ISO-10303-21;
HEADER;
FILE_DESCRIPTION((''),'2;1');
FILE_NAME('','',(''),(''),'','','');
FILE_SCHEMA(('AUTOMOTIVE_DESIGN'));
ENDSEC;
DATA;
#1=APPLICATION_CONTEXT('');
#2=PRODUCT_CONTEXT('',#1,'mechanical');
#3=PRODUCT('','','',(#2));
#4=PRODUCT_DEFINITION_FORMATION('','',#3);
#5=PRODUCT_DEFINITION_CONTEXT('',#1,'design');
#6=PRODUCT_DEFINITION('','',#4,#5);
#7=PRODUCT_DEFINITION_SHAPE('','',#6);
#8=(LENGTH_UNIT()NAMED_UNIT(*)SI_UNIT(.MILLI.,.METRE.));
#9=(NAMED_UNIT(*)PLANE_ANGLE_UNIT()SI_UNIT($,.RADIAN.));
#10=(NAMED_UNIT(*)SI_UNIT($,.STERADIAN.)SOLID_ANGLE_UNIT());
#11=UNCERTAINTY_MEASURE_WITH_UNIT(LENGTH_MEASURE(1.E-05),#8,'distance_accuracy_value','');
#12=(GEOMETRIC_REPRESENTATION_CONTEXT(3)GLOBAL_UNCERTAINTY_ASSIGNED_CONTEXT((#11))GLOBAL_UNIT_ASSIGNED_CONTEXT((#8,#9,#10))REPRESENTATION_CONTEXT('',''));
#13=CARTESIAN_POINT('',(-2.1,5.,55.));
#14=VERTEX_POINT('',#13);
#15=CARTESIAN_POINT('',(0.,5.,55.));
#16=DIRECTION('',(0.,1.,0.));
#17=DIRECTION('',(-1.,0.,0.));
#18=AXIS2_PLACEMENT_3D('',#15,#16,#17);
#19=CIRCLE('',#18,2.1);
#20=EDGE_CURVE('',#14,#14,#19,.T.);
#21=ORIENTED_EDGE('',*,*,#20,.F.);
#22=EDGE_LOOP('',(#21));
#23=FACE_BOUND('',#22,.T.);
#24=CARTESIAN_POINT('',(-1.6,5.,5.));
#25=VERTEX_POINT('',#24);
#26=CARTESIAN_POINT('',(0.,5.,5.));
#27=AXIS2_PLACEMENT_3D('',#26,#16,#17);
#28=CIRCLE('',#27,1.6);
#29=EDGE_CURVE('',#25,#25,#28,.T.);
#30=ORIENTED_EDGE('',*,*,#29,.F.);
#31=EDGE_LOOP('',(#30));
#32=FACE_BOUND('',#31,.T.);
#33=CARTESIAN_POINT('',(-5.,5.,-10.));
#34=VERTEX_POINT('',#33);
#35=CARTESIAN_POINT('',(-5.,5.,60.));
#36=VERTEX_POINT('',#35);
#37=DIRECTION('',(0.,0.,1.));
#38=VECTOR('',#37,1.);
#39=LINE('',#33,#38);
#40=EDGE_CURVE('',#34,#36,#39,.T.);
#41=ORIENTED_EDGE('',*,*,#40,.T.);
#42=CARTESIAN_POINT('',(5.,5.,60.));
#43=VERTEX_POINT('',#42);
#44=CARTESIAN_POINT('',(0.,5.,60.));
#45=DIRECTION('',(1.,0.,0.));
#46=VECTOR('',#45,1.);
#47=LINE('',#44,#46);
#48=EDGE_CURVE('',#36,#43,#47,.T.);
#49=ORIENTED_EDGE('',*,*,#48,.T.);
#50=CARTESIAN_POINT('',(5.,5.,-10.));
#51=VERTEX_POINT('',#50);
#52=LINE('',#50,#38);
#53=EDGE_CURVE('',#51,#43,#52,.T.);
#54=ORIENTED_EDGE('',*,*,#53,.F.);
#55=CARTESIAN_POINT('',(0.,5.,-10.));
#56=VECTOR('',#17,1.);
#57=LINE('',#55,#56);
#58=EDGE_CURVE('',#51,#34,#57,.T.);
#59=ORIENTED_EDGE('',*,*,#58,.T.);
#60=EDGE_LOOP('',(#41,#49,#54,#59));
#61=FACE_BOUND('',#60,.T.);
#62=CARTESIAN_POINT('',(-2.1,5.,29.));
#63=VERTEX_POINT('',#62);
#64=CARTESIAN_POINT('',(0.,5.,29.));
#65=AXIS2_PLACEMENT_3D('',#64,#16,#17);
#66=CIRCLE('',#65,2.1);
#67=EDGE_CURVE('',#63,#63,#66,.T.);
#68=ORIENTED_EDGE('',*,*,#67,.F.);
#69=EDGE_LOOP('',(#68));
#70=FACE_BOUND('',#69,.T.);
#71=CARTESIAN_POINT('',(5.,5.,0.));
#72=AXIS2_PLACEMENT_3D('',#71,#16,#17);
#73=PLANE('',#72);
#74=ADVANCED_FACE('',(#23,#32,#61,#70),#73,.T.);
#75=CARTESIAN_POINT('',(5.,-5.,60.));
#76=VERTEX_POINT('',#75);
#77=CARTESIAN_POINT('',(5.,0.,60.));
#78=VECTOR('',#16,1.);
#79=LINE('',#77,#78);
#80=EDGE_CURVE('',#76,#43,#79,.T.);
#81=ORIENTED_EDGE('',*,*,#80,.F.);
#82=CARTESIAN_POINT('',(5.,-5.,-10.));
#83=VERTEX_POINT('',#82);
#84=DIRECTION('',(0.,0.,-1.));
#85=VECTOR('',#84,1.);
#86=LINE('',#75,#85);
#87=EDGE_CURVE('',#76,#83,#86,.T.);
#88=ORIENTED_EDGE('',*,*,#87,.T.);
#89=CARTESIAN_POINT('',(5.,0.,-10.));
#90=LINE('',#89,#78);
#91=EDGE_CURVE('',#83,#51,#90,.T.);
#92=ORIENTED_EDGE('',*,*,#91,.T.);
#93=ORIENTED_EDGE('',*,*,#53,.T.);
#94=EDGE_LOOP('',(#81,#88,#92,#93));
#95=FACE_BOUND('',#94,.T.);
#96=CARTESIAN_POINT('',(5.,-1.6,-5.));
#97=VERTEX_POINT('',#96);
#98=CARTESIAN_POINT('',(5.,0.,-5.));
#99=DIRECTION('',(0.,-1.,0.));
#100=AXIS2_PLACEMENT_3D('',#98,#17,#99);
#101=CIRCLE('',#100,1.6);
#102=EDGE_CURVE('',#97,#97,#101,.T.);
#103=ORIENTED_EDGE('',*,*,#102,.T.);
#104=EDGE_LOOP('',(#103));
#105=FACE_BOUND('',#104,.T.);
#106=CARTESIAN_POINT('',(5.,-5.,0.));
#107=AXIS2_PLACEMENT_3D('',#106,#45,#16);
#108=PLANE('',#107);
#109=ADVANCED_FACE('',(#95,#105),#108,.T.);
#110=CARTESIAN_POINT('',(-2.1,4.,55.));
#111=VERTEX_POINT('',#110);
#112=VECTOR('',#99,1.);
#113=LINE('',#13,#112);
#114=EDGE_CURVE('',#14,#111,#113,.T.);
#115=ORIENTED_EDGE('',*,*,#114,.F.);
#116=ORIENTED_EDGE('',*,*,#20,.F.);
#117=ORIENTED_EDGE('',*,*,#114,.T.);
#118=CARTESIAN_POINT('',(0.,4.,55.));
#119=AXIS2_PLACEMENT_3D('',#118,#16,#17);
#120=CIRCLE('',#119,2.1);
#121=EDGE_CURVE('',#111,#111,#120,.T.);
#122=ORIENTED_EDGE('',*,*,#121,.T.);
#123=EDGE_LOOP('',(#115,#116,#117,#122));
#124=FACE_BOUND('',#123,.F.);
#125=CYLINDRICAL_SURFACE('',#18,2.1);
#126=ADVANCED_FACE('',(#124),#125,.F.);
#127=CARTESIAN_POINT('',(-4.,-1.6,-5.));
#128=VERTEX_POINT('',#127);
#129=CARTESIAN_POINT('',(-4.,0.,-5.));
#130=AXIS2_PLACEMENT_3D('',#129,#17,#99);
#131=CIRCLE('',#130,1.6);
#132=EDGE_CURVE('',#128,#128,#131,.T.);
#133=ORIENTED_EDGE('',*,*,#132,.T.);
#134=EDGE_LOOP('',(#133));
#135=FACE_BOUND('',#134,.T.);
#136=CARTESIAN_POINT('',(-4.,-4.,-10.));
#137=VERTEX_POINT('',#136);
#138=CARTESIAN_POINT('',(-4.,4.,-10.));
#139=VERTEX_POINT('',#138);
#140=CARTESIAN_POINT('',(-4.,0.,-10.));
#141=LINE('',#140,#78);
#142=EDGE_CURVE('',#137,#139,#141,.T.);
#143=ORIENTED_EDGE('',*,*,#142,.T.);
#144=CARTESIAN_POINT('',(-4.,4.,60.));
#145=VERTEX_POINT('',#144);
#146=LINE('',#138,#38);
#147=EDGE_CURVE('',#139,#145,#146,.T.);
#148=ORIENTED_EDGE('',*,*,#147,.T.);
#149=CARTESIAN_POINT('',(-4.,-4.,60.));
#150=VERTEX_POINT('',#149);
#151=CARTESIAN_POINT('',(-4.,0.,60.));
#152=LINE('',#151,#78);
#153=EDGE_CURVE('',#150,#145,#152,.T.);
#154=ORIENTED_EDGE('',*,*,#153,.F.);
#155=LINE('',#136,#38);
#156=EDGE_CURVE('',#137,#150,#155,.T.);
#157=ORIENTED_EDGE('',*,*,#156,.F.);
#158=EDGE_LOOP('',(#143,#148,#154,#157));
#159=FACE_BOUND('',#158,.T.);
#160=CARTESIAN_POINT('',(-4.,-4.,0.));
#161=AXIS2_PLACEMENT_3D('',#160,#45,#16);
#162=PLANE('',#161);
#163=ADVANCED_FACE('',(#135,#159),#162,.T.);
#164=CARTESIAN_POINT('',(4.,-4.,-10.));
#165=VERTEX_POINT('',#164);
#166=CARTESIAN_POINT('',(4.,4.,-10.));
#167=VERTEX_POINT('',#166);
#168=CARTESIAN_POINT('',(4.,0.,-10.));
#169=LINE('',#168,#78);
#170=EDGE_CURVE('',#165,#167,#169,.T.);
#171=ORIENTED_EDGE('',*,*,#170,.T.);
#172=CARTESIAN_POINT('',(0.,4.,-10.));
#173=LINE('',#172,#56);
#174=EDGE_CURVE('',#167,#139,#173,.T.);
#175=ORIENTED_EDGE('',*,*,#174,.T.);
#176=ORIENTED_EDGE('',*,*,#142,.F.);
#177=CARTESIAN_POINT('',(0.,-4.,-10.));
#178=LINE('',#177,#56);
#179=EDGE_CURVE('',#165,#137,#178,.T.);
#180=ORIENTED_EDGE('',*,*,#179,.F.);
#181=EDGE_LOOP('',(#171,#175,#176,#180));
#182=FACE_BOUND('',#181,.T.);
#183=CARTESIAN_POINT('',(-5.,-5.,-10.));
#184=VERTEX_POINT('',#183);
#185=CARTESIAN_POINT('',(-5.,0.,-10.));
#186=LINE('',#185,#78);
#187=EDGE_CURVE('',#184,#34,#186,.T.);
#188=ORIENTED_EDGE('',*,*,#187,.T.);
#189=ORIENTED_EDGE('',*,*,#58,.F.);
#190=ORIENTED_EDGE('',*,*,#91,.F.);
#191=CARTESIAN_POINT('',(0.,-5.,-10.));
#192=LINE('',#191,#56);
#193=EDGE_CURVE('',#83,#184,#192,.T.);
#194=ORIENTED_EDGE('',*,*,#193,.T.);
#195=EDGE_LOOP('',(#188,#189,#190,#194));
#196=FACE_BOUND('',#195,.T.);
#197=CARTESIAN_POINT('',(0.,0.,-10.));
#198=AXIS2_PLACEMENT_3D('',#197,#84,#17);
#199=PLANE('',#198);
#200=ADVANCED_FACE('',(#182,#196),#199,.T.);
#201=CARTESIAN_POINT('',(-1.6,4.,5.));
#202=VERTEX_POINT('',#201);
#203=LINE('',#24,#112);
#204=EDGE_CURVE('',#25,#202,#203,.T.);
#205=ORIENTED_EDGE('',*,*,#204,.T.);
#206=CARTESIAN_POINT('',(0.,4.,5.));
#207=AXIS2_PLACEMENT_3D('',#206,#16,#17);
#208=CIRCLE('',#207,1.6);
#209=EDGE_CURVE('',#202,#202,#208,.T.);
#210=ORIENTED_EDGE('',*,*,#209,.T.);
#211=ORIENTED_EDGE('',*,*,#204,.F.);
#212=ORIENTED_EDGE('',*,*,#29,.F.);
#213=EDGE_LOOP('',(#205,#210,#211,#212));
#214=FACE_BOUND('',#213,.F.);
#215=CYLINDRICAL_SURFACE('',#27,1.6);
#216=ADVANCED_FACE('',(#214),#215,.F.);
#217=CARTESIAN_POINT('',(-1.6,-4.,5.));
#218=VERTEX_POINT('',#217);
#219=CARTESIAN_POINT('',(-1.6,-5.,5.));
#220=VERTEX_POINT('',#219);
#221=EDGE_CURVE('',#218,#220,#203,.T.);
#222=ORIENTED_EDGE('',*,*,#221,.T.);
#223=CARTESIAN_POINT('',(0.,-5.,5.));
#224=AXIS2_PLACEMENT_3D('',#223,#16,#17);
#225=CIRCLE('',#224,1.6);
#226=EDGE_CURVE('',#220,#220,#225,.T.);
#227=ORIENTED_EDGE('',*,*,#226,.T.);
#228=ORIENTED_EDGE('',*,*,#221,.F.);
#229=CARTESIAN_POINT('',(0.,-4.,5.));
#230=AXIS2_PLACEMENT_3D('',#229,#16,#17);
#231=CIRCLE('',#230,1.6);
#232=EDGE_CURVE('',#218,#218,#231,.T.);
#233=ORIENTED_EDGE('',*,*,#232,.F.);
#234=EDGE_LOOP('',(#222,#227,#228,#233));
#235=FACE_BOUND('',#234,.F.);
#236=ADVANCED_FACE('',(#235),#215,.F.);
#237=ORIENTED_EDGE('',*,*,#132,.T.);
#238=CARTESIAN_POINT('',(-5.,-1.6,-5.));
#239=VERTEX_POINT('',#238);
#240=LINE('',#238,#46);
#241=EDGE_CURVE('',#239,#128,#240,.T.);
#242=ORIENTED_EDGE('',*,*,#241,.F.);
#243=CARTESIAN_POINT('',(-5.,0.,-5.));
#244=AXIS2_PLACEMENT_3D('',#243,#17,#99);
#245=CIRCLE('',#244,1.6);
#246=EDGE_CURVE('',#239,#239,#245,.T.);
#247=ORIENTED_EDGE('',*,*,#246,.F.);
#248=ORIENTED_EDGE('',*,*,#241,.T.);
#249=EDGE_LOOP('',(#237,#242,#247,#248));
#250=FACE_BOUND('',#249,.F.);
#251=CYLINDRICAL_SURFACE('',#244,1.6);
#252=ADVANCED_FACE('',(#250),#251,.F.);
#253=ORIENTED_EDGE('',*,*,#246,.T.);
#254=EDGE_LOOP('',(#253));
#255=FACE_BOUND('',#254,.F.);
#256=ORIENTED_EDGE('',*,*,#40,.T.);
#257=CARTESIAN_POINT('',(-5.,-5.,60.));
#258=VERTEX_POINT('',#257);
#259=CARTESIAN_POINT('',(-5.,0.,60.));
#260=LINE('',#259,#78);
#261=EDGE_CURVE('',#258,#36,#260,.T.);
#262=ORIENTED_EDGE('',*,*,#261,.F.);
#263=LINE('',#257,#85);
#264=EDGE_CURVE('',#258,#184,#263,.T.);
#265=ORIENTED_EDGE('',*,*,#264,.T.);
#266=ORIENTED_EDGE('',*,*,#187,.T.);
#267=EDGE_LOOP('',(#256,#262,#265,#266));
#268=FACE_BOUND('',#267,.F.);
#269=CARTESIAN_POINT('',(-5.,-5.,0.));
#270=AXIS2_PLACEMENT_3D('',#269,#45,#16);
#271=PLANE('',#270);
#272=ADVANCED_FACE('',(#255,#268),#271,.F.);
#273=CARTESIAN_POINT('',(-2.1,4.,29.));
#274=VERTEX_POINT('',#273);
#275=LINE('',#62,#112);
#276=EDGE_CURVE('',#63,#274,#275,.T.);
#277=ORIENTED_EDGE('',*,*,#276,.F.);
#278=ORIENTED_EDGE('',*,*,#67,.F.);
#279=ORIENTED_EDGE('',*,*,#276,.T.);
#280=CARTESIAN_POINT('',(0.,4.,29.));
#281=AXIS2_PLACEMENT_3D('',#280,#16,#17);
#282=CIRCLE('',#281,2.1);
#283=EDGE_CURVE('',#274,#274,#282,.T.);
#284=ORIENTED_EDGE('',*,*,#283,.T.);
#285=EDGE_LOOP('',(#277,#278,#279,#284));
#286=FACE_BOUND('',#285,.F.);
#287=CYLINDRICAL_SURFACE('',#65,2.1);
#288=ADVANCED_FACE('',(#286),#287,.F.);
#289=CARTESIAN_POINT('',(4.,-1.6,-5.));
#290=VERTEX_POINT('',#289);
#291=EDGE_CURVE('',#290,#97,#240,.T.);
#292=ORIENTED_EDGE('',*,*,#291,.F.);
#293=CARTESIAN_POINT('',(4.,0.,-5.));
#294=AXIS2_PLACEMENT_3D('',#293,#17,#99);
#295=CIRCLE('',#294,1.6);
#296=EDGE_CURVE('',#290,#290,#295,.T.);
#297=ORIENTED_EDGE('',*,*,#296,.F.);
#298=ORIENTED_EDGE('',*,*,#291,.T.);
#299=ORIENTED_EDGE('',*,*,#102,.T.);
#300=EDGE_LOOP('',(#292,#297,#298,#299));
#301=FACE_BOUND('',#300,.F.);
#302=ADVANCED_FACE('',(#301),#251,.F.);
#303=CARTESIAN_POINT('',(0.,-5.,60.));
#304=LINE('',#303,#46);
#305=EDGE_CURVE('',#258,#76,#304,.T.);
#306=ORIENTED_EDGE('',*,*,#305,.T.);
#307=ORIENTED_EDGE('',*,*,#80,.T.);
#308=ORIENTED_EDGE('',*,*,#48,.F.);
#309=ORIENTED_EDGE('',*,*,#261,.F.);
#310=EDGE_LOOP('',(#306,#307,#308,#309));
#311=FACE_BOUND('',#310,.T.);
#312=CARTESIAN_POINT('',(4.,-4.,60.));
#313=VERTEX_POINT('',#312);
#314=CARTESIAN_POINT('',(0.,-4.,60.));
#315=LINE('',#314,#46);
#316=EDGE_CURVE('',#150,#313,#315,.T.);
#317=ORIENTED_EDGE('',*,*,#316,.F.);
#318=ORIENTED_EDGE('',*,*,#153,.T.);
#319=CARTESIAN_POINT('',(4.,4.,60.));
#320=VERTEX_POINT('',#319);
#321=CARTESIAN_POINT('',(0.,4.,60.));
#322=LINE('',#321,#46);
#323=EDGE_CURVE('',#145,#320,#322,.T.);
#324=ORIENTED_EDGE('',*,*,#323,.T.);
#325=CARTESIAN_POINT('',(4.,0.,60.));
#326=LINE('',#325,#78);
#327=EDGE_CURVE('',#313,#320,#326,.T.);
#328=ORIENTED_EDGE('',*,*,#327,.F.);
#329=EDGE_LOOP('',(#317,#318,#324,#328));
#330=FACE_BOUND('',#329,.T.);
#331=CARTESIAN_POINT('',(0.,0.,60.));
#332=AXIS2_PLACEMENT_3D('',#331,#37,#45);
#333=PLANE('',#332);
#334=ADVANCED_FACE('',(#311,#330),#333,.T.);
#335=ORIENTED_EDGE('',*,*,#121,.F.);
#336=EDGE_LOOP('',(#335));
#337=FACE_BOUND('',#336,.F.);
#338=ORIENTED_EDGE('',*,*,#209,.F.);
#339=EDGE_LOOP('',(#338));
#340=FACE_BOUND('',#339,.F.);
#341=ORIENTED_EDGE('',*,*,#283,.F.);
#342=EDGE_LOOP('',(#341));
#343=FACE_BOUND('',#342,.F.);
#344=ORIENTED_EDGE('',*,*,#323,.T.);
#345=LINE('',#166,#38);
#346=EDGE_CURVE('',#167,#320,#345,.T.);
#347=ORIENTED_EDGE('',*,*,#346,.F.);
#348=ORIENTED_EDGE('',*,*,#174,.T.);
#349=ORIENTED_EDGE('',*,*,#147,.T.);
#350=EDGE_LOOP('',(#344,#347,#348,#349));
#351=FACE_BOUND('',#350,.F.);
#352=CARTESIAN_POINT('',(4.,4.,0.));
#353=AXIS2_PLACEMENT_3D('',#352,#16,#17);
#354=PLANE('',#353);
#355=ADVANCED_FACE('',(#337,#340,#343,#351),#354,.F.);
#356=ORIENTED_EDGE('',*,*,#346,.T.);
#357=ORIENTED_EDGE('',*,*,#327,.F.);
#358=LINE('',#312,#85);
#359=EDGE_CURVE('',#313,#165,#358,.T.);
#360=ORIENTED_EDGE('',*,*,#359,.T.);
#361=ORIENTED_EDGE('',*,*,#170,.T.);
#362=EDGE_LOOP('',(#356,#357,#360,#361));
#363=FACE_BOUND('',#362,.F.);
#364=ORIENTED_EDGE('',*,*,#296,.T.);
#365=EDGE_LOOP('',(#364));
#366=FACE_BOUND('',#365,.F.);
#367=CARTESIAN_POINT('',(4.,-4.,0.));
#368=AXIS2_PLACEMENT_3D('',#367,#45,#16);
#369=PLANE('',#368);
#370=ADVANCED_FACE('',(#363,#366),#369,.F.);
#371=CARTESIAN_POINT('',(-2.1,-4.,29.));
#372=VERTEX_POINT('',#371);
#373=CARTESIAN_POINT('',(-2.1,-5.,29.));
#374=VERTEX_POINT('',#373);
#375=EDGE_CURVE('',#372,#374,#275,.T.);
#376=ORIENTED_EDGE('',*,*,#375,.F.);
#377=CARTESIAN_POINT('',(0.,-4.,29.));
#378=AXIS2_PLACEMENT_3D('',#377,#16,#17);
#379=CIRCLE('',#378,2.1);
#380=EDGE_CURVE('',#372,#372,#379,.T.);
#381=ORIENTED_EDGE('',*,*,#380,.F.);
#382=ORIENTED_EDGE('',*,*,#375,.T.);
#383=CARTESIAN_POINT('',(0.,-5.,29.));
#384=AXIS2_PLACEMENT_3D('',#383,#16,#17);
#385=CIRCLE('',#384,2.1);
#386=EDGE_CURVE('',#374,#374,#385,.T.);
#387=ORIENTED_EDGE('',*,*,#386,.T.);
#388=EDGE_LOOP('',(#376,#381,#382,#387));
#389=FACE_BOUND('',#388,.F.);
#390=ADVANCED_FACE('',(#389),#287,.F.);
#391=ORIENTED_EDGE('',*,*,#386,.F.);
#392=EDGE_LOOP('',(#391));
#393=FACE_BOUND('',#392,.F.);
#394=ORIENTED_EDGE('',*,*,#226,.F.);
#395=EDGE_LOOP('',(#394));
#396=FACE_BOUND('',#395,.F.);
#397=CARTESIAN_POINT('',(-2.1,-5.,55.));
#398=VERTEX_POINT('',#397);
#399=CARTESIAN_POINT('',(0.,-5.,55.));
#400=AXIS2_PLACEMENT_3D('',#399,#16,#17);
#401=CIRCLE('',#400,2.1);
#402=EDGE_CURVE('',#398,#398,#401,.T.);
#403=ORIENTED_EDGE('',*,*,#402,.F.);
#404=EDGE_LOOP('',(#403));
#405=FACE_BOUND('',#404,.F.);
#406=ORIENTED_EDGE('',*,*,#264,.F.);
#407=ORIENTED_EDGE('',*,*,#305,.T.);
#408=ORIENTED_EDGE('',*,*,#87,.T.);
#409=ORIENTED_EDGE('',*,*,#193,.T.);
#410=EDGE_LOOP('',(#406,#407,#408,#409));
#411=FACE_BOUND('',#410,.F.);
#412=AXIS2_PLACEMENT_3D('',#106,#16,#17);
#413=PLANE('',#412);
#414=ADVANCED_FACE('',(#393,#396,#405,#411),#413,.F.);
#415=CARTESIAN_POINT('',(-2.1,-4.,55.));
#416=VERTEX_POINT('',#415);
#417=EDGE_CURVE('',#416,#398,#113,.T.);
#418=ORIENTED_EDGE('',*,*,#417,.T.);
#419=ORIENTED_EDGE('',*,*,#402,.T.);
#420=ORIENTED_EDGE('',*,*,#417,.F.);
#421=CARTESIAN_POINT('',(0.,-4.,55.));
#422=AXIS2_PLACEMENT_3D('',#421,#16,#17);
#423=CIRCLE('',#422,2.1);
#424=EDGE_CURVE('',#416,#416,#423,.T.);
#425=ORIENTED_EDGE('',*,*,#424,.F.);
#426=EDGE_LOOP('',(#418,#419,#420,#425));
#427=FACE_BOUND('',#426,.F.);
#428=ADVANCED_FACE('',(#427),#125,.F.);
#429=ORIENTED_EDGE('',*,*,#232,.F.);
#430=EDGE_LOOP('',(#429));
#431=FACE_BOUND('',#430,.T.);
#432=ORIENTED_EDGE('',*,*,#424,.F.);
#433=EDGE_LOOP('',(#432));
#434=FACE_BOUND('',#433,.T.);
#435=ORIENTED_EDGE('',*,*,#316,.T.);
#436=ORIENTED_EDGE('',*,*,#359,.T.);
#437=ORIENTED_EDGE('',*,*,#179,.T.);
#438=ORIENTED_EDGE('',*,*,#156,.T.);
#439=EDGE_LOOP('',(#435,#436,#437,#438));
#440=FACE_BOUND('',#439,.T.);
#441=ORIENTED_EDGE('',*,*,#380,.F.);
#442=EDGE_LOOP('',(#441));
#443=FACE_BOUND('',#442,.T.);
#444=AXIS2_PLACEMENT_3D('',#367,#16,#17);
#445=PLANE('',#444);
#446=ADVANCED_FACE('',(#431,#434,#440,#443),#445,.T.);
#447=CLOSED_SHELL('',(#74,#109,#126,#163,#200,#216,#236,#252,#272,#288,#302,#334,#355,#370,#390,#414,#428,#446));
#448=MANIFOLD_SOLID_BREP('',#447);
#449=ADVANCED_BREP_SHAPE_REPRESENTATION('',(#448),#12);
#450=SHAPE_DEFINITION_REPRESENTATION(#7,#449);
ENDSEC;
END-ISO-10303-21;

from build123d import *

# Parameters (mm, degrees)
SKETCH_1_W          = 10
SKETCH_1_H          = 10
SKETCH_1_W_2        = 8
SKETCH_1_H_2        = 8
EXTRUDE_1_DEPTH     = 60
SKETCH_3_R          = 2.1
SKETCH_3_R_2        = 1.6
CUT_EXTRUDE_1_DEPTH = 62.032778079
SKETCH_7_W          = 10
SKETCH_7_H          = 10
SKETCH_7_W_2        = 8
SKETCH_7_H_2        = 8
EXTRUDE_1_2_DEPTH   = 10
SKETCH_8_R          = 1.6
CUT_EXTRUDE_5_DEPTH = 62.032778079


with BuildPart() as part:
    # ｽｹｯﾁ1 → Extrude 1 (new body)
    with BuildSketch(Plane.XY):
        Rectangle(SKETCH_1_W, SKETCH_1_H)
        Rectangle(SKETCH_1_W_2, SKETCH_1_H_2, mode=Mode.SUBTRACT)
    extrude(amount=EXTRUDE_1_DEPTH)

    # ｽｹｯﾁ3 → ｶｯﾄ - 押し出し1 (cut, through all)
    with BuildSketch(Plane(origin=(0, 5, 0), x_dir=(1, 0, 0), z_dir=(0, 1, 0))):
        with Locations(Location((0, -55, 0), (0, 0, 180))):
            Circle(SKETCH_3_R)
        with Locations(Location((0, -29, 0), (0, 0, 180))):
            Circle(SKETCH_3_R)
        with Locations(Location((0, -5, 0), (0, 0, 180))):
            Circle(SKETCH_3_R_2)
    extrude(amount=-CUT_EXTRUDE_1_DEPTH, mode=Mode.SUBTRACT)

    # ｽｹｯﾁ7 → Extrude 1 2 (add)
    with BuildSketch(Plane(origin=(0, 0, 0), x_dir=(-1, 0, 0), z_dir=(0, 0, -1))):
        Rectangle(SKETCH_7_W, SKETCH_7_H)
        Rectangle(SKETCH_7_W_2, SKETCH_7_H_2, mode=Mode.SUBTRACT)
    extrude(amount=EXTRUDE_1_2_DEPTH)

    # ｽｹｯﾁ8 → ｶｯﾄ - 押し出し5 (cut, through all)
    with BuildSketch(Plane.ZY.offset(5)):
        with Locations(Location((-5, 0, 0), (0, 0, 270))):
            Circle(SKETCH_8_R)
    extrude(amount=-CUT_EXTRUDE_5_DEPTH, mode=Mode.SUBTRACT)


solid = part.part
